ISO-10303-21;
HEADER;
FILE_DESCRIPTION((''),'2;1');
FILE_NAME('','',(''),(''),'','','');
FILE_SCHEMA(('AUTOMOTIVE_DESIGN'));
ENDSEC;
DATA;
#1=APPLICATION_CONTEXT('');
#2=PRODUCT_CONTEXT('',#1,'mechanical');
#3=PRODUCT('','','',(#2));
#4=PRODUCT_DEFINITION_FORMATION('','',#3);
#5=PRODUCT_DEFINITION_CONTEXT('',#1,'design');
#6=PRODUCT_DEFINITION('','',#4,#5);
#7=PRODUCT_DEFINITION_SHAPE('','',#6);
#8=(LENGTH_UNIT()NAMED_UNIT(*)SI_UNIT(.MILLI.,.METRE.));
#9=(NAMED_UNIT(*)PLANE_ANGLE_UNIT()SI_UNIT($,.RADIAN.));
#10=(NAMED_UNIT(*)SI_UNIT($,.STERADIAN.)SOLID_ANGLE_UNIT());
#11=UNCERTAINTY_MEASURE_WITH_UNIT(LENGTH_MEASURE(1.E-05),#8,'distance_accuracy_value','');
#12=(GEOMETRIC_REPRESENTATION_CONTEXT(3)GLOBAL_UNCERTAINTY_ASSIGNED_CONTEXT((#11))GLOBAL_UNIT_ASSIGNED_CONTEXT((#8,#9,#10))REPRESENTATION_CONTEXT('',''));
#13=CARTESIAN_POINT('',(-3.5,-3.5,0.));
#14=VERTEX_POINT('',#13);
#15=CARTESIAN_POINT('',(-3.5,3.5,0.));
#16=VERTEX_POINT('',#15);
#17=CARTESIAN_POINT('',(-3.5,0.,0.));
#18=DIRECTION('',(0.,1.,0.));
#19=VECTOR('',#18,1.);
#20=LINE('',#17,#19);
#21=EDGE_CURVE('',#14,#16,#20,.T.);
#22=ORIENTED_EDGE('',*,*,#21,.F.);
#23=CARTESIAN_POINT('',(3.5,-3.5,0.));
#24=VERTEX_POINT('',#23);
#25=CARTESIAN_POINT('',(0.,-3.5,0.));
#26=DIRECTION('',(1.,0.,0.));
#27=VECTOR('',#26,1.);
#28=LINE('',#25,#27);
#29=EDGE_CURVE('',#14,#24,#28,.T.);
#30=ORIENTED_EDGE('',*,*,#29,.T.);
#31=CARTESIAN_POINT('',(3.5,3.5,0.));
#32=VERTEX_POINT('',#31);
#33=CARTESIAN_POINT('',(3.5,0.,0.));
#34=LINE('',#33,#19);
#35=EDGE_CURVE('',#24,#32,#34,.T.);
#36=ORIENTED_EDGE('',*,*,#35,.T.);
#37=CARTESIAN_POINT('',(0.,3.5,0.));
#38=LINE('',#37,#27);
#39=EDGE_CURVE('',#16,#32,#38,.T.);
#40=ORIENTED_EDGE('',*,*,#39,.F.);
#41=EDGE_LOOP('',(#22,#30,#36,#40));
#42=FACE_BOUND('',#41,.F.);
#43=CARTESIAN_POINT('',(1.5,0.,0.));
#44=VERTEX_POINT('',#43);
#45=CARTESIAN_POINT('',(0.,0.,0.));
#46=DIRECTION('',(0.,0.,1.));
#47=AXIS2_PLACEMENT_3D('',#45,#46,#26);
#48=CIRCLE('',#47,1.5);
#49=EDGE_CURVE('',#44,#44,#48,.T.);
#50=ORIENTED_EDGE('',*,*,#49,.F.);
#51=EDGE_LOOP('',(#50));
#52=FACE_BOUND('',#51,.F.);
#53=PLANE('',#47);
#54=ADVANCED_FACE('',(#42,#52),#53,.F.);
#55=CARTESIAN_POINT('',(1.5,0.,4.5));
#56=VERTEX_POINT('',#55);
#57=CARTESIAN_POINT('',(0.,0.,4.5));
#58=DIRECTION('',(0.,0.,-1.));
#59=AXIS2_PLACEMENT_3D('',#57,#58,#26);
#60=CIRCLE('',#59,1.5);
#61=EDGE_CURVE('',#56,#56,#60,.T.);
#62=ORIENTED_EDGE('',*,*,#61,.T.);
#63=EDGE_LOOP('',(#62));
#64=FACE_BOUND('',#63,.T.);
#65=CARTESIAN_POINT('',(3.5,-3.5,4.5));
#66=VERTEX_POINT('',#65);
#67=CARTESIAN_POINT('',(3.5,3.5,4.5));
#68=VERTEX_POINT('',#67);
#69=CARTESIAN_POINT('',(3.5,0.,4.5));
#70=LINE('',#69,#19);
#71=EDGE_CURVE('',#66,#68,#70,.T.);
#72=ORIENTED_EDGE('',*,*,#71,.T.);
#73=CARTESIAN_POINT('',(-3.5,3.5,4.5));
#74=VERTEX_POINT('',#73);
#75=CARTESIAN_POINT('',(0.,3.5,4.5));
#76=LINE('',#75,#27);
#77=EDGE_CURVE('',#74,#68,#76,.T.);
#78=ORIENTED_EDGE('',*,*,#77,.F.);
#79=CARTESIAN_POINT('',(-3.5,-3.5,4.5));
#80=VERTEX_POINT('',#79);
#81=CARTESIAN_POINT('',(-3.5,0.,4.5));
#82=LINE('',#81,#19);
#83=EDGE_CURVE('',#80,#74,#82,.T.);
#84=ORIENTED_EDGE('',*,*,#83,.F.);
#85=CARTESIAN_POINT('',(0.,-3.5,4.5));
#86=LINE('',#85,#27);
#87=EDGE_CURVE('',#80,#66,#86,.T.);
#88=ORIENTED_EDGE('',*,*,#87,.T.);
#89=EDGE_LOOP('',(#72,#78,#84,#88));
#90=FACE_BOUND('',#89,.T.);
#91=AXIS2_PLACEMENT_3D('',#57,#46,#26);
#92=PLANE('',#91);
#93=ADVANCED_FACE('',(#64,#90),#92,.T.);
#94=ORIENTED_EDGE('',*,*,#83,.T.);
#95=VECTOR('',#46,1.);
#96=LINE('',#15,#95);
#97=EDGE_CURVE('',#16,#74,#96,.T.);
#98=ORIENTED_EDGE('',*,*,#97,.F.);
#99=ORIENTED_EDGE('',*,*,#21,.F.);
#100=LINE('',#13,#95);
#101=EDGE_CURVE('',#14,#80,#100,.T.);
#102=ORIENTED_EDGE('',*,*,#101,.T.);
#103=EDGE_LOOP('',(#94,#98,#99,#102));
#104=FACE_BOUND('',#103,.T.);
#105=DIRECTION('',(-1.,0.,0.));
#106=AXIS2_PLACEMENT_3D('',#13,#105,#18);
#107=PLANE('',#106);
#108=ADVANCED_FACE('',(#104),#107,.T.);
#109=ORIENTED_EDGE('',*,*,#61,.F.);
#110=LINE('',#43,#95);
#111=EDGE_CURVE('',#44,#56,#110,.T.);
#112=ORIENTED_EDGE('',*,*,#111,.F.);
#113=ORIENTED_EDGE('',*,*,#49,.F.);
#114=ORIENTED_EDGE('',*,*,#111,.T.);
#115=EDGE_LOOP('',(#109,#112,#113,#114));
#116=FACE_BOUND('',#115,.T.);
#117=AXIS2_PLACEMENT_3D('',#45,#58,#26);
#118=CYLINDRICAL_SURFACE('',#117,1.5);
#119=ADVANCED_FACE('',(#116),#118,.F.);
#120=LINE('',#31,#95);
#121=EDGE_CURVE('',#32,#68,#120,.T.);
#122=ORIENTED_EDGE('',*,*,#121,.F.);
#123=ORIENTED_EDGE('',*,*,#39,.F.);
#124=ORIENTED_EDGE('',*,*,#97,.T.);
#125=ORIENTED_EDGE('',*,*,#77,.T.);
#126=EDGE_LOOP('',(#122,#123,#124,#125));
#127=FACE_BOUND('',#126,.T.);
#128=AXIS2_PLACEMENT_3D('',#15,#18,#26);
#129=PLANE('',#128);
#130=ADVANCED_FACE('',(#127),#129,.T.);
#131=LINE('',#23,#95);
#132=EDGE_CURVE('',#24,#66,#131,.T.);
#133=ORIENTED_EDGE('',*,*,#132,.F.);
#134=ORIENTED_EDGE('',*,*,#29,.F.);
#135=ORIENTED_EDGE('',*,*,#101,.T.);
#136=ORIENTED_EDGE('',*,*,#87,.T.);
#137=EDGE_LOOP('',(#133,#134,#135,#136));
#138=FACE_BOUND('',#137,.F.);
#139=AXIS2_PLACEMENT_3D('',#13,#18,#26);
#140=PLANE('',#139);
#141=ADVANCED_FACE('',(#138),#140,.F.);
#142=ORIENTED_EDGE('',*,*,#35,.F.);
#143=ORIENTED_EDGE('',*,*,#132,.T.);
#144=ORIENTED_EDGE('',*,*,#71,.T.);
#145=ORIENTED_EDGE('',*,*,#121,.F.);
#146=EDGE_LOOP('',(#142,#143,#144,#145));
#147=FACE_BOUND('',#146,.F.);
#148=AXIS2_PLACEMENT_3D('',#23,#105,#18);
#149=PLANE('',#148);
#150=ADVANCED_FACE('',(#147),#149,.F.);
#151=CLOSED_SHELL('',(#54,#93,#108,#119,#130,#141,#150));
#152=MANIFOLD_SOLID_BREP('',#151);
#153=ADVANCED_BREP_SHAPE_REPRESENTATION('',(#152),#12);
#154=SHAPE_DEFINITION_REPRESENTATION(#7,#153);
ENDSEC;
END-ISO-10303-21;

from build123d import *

# Parameters (mm, degrees)
CYLINDER_R     = 1.5
CYLINDER_DEPTH = 10
BOX008_W       = 7
BOX008_H       = 7
BOX008_DEPTH   = 4.5


with BuildPart() as hole:
    # Cylinder → Cylinder (new body)
    with BuildSketch(Plane.XY):
        Circle(CYLINDER_R)
    extrude(amount=CYLINDER_DEPTH)


with BuildPart() as stand_hole_cut:
    # Box008 → Box008 (new body)
    with BuildSketch(Plane(origin=(-3.5, -3.5, 0), x_dir=(1, 0, 0), z_dir=(0, 0, 1))):
        with Locations((3.5, 3.5)):
            Rectangle(BOX008_W, BOX008_H)
    extrude(amount=BOX008_DEPTH)

    # Cut003002: cut hole
    add(hole.part, mode=Mode.SUBTRACT)


solid = stand_hole_cut.part
